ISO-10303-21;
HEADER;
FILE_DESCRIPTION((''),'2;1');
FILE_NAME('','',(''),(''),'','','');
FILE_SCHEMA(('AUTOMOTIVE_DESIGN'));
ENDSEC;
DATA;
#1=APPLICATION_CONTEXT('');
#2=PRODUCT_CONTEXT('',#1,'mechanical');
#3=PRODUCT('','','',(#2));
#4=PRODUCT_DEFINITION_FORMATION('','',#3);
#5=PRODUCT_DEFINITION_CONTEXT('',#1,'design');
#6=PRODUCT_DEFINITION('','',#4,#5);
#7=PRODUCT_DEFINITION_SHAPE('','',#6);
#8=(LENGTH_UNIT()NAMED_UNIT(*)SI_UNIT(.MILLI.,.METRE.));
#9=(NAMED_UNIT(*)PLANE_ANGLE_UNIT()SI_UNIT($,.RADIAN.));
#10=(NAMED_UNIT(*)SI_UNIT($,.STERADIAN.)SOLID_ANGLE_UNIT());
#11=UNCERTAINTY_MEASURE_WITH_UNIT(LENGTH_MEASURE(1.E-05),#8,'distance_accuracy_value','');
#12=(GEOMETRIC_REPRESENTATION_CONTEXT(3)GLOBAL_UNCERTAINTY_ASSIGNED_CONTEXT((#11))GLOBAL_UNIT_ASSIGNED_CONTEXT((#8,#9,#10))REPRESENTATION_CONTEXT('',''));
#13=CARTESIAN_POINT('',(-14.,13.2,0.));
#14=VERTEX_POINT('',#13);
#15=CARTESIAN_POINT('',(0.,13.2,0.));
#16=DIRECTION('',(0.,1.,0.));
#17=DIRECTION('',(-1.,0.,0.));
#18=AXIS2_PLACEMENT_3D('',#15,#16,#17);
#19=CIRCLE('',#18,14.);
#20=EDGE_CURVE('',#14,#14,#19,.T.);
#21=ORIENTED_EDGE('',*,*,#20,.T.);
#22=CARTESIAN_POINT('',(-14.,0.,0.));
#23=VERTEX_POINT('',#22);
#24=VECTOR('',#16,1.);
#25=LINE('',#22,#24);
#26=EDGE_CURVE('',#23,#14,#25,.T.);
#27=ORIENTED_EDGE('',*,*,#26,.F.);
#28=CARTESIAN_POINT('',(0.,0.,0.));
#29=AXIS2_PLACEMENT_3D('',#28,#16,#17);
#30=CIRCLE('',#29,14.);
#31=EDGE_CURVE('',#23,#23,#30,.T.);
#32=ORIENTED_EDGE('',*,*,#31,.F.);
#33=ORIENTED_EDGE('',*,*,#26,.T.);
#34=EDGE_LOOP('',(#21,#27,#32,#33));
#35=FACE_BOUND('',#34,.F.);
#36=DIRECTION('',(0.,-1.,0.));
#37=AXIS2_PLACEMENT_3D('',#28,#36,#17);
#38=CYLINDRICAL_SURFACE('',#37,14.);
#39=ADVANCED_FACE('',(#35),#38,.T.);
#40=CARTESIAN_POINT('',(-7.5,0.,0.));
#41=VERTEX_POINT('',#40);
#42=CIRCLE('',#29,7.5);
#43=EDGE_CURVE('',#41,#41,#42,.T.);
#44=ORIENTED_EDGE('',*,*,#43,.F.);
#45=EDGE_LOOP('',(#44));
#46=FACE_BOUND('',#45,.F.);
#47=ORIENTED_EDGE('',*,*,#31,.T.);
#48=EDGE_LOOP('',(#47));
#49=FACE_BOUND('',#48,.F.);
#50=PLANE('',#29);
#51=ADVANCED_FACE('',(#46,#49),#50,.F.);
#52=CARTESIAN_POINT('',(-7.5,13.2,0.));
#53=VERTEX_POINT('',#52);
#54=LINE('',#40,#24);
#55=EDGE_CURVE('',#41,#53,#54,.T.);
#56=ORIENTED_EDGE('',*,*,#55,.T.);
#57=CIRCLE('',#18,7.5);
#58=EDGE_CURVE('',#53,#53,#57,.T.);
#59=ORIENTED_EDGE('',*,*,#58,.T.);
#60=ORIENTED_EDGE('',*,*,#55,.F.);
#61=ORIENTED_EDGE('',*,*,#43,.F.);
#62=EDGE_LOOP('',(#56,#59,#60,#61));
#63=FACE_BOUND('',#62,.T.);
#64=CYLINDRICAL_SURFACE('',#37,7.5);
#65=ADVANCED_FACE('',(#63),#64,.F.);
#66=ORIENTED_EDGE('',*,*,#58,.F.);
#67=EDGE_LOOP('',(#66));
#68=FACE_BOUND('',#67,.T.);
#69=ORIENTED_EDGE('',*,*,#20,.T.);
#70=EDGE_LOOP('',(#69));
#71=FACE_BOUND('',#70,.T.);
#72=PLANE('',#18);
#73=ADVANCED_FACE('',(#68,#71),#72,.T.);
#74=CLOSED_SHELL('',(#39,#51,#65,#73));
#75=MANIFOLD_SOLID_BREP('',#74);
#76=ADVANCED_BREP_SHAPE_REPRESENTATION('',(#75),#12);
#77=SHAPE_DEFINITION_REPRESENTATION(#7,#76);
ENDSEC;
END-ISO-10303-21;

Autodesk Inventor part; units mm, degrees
ref_plane "YZ Plane" through (0, 0, 0) normal (1, 0, 0) x (0, 1, 0)
ref_plane "XZ Plane" through (0, 0, 0) normal (0, 1, 0) x (-1, 0, 0)
ref_plane "XY Plane" through (0, 0, 0) normal (0, 0, 1) x (1, 0, 0)
sketch "Szkic1" plane through (0, 0, 0) normal (0, 1, 0) x (-1, 0, 0)
  circle A0 centre (0, 0) radius 14
  circle A1 centre (0, 0) radius 7.5
  dimension "d0" = 28
  dimension "d1" = 15
extrude "Wyciągnięcie proste1" add sketch "Szkic1" along normal blind 13.2
properties part number "Wheel" material "Żelazo, szare"
